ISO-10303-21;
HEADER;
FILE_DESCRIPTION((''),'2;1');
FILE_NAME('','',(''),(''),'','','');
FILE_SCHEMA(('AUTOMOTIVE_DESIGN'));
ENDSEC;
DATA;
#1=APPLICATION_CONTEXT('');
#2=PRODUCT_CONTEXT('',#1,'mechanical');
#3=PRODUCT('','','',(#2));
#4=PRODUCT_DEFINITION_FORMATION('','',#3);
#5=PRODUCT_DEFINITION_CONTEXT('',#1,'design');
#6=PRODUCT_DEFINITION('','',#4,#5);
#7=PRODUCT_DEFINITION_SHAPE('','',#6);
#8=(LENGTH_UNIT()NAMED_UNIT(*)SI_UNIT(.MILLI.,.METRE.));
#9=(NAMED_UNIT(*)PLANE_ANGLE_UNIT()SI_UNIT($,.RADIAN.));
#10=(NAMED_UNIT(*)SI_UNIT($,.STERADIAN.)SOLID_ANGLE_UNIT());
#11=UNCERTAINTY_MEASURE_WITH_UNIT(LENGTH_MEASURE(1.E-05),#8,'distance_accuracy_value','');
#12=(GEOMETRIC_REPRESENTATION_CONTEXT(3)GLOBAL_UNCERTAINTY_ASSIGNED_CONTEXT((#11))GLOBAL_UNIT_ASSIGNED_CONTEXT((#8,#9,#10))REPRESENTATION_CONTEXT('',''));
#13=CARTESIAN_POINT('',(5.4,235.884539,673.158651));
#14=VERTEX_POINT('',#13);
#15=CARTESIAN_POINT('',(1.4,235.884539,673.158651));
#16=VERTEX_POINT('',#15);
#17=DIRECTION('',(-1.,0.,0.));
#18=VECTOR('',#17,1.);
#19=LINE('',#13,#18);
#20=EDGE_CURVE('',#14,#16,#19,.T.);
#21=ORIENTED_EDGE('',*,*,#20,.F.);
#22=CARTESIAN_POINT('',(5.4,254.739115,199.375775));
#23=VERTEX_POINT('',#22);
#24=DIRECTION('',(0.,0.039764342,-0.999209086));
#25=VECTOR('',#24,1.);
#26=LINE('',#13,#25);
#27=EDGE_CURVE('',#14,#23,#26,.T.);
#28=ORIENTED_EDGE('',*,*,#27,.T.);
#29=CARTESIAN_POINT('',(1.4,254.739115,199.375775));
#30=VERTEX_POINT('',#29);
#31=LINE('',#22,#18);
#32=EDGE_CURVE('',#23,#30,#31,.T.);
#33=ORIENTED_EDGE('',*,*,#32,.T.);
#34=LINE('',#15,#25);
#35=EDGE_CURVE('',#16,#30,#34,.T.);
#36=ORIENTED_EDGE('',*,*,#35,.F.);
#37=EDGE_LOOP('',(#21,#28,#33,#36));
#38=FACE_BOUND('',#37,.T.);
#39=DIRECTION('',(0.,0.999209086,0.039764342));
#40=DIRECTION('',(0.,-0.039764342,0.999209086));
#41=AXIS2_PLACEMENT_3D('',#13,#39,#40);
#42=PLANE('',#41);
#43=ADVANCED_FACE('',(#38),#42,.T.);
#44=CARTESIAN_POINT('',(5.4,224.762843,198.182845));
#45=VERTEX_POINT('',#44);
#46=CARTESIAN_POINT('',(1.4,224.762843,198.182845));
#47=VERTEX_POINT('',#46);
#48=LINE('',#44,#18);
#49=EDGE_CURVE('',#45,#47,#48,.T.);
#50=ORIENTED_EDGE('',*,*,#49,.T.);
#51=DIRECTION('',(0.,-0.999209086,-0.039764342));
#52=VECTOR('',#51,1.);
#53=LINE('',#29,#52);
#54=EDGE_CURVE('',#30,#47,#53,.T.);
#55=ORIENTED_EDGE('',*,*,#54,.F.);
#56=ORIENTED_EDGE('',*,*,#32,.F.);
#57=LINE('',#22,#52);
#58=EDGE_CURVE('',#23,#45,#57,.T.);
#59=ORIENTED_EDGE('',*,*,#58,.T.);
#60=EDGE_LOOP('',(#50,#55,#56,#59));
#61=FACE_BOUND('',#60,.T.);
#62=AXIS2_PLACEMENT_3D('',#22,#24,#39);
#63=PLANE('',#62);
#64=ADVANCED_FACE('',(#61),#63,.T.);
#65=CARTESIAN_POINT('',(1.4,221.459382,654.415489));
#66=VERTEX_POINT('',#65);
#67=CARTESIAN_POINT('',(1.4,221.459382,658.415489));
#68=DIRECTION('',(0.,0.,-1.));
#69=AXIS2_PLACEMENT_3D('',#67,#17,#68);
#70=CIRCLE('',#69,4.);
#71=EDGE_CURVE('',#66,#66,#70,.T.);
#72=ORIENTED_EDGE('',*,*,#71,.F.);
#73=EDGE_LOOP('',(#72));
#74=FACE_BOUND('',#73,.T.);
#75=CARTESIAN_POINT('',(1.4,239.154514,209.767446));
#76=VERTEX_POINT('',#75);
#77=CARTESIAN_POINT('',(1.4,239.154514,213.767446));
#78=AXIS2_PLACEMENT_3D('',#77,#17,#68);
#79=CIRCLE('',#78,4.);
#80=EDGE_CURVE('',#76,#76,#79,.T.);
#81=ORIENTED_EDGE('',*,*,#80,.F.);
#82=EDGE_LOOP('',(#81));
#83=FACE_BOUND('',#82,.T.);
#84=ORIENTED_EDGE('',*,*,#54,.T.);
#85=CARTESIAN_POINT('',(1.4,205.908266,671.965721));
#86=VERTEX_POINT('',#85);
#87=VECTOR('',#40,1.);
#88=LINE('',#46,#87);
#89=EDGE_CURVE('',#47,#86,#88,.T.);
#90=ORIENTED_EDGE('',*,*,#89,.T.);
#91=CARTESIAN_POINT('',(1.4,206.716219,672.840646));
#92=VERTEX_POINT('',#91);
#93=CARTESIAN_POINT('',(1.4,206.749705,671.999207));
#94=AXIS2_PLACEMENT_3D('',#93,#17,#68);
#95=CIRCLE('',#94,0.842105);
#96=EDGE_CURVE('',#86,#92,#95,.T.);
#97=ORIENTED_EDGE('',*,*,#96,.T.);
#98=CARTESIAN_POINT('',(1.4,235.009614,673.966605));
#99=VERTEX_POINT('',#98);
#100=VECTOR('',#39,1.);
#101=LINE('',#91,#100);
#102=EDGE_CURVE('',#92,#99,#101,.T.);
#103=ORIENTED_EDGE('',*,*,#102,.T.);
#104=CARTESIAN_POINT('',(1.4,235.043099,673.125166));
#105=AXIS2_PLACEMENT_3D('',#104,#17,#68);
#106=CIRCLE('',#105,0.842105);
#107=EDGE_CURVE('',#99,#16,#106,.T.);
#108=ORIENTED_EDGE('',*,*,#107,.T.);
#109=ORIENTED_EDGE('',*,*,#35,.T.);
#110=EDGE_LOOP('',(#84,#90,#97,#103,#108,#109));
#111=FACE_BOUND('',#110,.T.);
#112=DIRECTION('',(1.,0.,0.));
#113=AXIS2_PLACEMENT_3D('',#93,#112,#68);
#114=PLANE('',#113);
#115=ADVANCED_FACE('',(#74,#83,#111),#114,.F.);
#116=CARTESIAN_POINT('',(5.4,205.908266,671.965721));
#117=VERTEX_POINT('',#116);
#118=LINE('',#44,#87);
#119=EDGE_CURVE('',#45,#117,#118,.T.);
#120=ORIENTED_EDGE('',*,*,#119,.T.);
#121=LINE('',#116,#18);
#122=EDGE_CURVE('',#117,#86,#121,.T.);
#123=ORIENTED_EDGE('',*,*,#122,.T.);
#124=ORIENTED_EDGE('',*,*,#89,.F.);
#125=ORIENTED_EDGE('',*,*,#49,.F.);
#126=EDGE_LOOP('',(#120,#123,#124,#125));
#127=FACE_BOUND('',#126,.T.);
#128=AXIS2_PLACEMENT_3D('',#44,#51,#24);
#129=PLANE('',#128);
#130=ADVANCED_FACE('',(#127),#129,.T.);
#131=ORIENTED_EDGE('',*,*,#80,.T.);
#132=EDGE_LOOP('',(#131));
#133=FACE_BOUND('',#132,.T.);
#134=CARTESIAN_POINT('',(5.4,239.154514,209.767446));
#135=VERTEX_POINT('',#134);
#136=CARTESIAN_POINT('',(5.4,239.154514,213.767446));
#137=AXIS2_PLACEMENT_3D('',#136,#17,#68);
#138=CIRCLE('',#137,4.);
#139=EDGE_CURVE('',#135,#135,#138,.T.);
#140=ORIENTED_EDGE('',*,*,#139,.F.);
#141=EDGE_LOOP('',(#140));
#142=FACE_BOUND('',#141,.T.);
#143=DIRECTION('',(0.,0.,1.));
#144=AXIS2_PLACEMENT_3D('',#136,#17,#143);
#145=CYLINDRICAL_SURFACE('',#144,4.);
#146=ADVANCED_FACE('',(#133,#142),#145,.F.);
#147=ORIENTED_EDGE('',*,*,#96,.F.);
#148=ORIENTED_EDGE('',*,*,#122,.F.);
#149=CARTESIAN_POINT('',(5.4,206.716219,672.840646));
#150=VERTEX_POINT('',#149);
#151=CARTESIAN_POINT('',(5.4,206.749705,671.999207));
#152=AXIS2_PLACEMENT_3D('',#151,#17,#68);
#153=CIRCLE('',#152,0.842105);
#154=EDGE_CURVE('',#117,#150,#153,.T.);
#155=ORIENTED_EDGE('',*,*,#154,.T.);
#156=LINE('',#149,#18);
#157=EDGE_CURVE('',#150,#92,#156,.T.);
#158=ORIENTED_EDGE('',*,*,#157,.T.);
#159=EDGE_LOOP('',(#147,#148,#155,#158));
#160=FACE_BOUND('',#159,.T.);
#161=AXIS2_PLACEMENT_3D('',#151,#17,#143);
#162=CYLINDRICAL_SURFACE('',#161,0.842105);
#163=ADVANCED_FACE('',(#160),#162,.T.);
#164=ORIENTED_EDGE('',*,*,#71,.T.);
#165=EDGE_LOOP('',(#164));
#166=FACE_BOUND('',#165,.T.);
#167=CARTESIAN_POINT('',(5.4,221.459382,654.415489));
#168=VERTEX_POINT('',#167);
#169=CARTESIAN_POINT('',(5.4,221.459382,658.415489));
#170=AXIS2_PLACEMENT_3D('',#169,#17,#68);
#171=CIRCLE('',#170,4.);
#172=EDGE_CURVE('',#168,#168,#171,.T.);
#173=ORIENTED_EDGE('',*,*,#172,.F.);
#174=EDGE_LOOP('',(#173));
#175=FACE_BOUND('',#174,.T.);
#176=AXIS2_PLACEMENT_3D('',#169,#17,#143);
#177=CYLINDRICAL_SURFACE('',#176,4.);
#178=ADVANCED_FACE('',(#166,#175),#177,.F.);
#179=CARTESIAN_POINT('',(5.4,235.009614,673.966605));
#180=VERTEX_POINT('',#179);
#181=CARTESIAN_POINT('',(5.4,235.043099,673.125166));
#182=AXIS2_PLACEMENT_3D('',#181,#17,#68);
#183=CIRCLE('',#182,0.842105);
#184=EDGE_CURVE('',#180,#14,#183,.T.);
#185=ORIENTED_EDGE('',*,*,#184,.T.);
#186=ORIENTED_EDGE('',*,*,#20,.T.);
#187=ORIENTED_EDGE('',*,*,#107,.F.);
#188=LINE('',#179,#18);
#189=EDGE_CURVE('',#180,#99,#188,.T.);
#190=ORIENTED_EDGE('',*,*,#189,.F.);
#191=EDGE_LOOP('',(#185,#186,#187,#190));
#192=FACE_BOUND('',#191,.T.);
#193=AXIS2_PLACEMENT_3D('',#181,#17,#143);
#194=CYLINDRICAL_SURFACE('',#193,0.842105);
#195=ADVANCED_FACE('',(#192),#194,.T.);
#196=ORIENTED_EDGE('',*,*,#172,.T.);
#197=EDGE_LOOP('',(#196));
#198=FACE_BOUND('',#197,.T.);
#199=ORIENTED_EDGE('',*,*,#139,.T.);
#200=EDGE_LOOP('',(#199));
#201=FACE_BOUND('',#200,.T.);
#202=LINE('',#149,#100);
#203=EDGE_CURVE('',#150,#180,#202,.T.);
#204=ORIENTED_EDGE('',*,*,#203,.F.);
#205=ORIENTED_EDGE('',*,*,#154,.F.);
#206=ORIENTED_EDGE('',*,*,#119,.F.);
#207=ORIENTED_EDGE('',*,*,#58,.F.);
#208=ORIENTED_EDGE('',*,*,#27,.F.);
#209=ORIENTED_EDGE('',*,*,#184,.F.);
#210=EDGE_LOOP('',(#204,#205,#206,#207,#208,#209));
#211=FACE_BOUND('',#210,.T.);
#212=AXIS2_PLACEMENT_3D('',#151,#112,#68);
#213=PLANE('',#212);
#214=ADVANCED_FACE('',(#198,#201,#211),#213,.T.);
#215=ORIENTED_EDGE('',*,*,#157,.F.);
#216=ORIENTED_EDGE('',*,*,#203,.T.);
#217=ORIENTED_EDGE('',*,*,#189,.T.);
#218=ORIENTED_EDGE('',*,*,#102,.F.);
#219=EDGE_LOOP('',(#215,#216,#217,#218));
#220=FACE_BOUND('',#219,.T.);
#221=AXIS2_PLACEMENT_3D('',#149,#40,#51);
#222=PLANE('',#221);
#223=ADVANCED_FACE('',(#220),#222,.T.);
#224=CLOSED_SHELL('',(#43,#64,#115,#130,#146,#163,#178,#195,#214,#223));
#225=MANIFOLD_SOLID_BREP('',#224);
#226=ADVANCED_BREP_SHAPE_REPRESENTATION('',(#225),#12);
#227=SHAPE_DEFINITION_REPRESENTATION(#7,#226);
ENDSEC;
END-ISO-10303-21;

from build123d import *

# Parameters (mm, degrees)
SKETCH1_R           = 4
BOSS_EXTRUDE1_DEPTH = 4


with BuildPart() as part:
    # Sketch1 → Boss-Extrude1 (new body)
    with BuildSketch(Plane(origin=(1.4, 0, 0), x_dir=(0, -1, 0), z_dir=(-1, 0, 0))):
        with BuildLine():
            Line((-254.739115199, 199.375774934), (-224.762842625, 198.182844675))
            Line((-224.762842625, 198.182844675), (-205.908265943, 671.965721187))
            ThreePointArc((-205.908265943, 671.965721187), (-206.131039779, 672.570516328), (-206.716219414, 672.840646182))
            Line((-206.716219414, 672.840646182), (-235.009613521, 673.966604918))
            ThreePointArc((-235.009613521, 673.966604918), (-235.614408661, 673.743831082), (-235.884538516, 673.158651447))
            Line((-235.884538516, 673.158651447), (-254.739115199, 199.375774934))
        make_face()
        with Locations(Location((-221.459381597, 658.415489264, 0), (0, 0, 270))):
            Circle(SKETCH1_R, mode=Mode.SUBTRACT)
        with Locations(Location((-239.154513782, 213.767446091, 0), (0, 0, 270))):
            Circle(SKETCH1_R, mode=Mode.SUBTRACT)
    extrude(amount=-BOSS_EXTRUDE1_DEPTH)


solid = part.part
